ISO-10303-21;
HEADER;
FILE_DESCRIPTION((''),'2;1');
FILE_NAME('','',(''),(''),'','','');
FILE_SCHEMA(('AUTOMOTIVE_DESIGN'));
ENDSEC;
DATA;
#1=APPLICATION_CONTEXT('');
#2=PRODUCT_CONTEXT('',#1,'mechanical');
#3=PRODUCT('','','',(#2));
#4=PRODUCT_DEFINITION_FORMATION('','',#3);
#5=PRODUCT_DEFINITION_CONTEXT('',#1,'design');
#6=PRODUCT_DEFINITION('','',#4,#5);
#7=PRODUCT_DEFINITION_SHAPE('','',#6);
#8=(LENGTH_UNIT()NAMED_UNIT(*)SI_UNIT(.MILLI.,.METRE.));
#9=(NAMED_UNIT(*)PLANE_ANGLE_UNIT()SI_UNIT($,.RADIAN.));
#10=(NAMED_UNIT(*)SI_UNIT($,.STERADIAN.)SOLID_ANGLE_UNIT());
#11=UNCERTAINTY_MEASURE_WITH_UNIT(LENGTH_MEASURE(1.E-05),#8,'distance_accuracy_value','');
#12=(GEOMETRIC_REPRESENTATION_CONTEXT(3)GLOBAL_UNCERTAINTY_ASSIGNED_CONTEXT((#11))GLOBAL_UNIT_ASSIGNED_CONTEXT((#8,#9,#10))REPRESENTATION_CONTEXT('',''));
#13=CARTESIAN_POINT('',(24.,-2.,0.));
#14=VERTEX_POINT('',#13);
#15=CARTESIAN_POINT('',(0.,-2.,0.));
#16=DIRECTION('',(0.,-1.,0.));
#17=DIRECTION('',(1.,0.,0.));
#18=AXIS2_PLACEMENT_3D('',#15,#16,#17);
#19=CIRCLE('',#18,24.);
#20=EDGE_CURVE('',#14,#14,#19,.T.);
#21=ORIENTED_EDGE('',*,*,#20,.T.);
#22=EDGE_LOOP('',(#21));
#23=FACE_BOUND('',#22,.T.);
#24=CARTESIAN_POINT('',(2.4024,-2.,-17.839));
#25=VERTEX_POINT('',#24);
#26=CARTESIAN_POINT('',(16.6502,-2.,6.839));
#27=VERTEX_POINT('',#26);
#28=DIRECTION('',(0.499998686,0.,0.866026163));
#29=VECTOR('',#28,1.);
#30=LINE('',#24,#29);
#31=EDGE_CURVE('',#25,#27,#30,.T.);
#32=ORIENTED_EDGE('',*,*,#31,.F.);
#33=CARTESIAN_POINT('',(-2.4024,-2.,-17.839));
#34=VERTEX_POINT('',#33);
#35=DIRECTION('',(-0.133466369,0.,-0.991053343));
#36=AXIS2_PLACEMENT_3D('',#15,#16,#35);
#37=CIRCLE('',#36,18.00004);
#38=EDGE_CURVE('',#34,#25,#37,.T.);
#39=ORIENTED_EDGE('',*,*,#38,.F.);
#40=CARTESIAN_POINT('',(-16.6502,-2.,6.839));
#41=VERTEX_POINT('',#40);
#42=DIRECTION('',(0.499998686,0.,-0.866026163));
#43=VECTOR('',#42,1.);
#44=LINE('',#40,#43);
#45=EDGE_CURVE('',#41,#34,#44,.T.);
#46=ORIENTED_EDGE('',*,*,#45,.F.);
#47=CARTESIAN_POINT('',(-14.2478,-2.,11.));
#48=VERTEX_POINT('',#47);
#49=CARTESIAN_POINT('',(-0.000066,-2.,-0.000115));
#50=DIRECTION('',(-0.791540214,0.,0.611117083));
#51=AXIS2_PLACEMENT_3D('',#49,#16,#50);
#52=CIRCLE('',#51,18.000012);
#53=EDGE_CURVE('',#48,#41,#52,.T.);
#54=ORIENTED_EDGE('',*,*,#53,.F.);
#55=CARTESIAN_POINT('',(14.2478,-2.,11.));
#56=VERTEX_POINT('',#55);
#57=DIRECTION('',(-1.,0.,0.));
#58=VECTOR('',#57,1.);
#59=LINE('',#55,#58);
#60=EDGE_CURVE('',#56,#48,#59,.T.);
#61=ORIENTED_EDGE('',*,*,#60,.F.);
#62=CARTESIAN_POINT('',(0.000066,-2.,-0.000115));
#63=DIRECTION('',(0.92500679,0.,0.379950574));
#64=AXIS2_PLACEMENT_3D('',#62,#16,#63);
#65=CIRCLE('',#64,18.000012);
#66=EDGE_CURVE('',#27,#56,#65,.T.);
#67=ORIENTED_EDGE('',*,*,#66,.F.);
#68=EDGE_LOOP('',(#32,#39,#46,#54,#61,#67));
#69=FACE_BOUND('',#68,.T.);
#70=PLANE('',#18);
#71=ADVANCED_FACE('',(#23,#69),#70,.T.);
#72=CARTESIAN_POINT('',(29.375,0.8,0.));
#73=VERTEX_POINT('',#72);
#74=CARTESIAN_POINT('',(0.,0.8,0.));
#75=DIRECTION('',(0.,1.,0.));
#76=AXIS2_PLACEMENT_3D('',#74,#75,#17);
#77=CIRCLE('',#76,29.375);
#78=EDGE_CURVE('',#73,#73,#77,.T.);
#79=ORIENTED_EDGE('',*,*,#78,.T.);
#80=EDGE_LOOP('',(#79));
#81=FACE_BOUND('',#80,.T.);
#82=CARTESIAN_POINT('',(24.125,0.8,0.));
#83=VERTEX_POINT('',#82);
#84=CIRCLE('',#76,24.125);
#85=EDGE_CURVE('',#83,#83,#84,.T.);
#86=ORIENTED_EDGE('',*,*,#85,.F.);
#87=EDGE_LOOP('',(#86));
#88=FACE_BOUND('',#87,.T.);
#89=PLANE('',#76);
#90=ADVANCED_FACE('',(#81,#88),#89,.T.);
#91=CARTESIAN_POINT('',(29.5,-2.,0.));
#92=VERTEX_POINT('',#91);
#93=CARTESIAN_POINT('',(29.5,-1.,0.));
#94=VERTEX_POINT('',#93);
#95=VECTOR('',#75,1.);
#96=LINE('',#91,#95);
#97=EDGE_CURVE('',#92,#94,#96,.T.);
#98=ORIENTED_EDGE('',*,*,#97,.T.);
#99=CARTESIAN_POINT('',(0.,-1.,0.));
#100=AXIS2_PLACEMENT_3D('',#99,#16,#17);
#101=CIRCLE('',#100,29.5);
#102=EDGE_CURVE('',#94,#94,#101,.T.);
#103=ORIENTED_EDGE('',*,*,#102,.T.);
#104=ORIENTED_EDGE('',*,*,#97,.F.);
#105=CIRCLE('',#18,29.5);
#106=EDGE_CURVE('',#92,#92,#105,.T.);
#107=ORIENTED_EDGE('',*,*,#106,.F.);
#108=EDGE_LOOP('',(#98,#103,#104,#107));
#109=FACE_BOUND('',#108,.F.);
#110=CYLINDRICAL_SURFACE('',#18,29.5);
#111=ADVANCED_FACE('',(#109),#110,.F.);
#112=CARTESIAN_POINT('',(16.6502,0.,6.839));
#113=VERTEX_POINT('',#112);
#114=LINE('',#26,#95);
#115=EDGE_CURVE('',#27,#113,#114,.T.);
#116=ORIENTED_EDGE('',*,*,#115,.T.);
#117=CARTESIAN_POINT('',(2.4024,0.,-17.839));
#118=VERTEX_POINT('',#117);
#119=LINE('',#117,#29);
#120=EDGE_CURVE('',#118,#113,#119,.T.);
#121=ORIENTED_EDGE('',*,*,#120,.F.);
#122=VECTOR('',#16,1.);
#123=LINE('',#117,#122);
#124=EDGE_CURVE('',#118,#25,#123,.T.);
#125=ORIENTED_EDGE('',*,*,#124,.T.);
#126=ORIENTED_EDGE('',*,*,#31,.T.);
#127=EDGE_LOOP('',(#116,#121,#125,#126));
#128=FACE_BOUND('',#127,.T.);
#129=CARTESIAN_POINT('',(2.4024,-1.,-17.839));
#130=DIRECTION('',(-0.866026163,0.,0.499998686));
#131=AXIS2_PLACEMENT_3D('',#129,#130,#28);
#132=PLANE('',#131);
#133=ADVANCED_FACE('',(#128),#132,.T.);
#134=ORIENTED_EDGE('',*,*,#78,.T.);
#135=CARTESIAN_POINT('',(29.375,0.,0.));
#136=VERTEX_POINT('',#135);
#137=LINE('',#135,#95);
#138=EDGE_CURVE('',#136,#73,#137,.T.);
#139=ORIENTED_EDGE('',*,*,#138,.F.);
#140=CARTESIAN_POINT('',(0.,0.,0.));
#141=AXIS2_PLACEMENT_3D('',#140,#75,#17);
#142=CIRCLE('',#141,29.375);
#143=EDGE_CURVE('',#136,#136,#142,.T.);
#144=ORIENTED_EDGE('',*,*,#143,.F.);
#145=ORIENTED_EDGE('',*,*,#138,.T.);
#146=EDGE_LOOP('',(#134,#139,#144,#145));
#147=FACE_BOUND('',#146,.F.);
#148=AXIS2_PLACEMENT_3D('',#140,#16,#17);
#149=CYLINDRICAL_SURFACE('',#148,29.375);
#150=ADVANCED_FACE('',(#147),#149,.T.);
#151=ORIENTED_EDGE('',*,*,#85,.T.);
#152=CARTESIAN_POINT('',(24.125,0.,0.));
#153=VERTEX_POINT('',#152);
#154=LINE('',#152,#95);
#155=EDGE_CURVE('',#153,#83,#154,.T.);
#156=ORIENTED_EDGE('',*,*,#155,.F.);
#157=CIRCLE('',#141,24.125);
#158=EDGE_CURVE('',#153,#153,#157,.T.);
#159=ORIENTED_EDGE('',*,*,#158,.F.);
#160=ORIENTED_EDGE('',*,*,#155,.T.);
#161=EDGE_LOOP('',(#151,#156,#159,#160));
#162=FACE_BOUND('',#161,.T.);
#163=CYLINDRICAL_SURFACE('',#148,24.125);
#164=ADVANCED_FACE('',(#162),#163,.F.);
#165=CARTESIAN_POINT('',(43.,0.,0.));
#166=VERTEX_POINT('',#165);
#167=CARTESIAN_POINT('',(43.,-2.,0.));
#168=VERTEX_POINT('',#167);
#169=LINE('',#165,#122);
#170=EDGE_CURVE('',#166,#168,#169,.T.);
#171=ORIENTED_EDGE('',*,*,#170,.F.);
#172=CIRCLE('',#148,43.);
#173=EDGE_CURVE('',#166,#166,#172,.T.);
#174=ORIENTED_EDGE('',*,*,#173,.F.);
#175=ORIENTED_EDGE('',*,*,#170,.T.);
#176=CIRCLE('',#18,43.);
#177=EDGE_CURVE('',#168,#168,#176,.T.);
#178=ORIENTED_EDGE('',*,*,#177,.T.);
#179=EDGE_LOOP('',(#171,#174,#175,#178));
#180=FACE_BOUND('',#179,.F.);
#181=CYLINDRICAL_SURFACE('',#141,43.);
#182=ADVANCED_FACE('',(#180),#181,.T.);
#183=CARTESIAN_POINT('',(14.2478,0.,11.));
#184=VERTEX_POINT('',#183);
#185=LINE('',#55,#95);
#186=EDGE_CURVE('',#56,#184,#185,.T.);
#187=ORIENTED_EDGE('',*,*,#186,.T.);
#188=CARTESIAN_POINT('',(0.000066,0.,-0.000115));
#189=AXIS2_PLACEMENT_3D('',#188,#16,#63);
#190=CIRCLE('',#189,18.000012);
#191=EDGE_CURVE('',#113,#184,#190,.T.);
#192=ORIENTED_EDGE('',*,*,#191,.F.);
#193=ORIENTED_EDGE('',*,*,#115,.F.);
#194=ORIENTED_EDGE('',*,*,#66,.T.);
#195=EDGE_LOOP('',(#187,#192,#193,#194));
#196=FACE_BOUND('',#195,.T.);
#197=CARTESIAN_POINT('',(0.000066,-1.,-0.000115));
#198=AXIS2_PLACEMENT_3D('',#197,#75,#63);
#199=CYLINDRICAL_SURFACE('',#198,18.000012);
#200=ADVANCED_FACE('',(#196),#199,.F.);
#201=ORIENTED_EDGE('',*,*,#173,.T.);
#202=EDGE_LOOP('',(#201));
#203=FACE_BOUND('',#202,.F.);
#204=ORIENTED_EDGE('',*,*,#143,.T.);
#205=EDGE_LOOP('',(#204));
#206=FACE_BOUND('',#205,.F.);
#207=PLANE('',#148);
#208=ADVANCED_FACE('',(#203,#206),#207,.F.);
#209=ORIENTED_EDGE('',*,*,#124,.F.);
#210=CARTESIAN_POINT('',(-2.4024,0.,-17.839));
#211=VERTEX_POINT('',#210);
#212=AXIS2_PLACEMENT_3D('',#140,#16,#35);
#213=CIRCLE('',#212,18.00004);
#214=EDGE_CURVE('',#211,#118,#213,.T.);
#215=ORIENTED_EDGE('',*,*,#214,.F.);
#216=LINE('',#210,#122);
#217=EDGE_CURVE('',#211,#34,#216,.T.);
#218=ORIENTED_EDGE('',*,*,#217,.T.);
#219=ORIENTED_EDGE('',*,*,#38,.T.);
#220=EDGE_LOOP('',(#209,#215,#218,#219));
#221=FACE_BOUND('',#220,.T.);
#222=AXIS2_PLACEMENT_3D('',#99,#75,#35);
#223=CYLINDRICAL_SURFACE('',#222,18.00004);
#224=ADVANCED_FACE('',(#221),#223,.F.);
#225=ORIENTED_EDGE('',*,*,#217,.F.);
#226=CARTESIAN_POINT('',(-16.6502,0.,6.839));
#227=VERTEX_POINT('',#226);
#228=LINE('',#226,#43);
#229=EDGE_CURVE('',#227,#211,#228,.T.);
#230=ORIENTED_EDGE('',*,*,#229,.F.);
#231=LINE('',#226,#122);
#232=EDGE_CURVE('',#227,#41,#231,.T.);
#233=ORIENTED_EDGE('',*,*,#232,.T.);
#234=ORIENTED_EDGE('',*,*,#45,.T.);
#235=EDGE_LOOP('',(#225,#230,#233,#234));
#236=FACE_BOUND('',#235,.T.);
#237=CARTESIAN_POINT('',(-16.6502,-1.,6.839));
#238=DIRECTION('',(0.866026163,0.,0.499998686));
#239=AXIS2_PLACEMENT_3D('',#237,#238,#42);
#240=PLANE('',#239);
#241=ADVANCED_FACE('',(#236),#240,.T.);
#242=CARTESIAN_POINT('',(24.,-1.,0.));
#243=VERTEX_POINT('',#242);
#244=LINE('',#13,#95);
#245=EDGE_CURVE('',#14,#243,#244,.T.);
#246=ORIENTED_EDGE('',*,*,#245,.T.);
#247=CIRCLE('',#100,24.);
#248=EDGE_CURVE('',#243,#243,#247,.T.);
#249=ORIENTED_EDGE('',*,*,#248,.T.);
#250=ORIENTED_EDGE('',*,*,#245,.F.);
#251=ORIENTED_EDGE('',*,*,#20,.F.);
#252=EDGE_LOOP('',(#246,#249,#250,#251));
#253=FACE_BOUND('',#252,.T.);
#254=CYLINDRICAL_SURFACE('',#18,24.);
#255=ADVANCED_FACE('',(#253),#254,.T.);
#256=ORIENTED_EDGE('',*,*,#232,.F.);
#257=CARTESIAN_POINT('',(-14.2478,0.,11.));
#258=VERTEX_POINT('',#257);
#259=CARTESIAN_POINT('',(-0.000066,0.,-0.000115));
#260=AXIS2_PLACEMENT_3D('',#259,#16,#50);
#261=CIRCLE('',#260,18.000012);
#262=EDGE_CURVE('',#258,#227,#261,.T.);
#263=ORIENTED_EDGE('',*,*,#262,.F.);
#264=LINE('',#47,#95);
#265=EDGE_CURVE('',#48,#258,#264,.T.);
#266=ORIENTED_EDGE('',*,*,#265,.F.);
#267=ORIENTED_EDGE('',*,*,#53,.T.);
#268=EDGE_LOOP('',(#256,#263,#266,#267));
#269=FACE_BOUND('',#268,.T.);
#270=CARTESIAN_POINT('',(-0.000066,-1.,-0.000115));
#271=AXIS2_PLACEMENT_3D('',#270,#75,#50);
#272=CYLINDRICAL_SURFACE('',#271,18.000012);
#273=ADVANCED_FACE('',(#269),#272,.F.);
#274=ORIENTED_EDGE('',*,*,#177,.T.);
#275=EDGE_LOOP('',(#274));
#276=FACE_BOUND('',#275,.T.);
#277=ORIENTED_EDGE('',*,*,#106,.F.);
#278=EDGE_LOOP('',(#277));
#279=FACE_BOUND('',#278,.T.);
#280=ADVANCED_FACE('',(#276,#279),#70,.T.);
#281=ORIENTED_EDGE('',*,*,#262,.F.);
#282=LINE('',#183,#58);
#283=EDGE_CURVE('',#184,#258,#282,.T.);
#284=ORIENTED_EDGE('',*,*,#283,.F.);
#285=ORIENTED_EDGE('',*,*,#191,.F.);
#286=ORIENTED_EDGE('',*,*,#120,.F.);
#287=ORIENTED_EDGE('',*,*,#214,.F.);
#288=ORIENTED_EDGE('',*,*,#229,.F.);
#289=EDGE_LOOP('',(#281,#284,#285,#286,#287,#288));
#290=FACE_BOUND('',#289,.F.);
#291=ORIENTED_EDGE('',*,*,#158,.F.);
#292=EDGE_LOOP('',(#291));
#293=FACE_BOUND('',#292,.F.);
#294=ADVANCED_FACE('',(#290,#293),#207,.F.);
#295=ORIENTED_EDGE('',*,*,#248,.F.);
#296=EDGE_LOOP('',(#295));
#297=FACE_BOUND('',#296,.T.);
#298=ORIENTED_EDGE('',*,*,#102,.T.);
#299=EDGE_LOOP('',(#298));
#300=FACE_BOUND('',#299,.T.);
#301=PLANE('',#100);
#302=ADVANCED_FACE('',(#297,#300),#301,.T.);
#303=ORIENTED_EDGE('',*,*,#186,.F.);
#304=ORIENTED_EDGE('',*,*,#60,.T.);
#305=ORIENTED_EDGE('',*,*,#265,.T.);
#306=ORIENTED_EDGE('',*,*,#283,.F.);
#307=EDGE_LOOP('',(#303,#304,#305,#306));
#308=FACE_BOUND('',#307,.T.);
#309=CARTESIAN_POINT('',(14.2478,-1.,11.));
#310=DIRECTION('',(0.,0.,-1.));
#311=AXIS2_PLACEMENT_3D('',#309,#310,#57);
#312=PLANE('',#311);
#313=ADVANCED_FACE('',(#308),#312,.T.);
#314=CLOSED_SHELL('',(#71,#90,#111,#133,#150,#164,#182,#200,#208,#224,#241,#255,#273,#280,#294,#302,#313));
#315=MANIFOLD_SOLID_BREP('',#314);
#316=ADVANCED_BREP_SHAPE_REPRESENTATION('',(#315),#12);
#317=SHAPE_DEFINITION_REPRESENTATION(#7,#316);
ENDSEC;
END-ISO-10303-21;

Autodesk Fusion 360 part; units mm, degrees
sketch "草图1" plane through (0, 0, 0) normal (0, 1, 0) x (1, 0, 0)
  circle A0 centre (0, 0) radius 24.125
  circle A1 centre (0, 0) radius 29.375
  dimension "d1" = 48.25
  dimension "d2" = 58.75
extrude "拉伸1" add sketch "草图1" along normal blind 0.8 makes body 1
sketch "草图2" plane through (0, 0, 0) normal (0, -1, 0) x (1, 0, 0)
  circle A0 centre (0, 0) radius 24.125
  circle A1 centre (0, 0) radius 29.375
  circle A2 centre (0, 0) radius 43
  line L0 (2.4024, -17.839) -> (16.6502, 6.839)
  line L1 (-16.6502, 6.839) -> (-2.4024, -17.839)
  arc A3 (-14.2478, 11) -> (-16.6502, 6.839) centre (0, 0) ccw
  line L2 (14.2478, 11) -> (-14.2478, 11)
  arc A4 (16.6502, 6.839) -> (14.2478, 11) centre (0, 0) ccw
  arc A5 (-2.4024, -17.839) -> (2.4024, -17.839) centre (0, 0) ccw
  dimension "d5" = 86
extrude "拉伸2" add sketch "草图2" along normal blind 2 separate body contours A2 makes body 2
extrude "拉伸3" add sketch "草图2" along normal blind 1 contours A0 | A1 bodies 1 2
extrude "拉伸4" add 1 faces at (-15.1728, -1, -7.9151) along direction (0, -1, 0) up to surface (1 mm away) on bodies 1 bodies 1
sketch "草图3" plane through (0, -2, 0) normal (0, -1, 0) x (1, 0, 0)
  line L0 (16.6502, 6.839) -> (2.4024, -17.839)
  arc A0 (-2.4024, -17.839) -> (2.4024, -17.839) centre (0, 0) ccw
  line L1 (-2.4024, -17.839) -> (-16.6502, 6.839)
  arc A1 (-14.2478, 11) -> (-16.6502, 6.839) centre (0, 0) ccw
  line L2 (-14.2478, 11) -> (14.2478, 11)
  arc A2 (16.6502, 6.839) -> (14.2478, 11) centre (0, 0) ccw
  circle A3 centre (0, 0) radius 43
  circle A4 centre (0, 0) radius 29.5
  circle A5 centre (0, 0) radius 24
  dimension "d12" = 59
  dimension "d13" = 48
extrude "拉伸5" cut sketch "草图3" against normal blind 1 contours A4 bodies 1
